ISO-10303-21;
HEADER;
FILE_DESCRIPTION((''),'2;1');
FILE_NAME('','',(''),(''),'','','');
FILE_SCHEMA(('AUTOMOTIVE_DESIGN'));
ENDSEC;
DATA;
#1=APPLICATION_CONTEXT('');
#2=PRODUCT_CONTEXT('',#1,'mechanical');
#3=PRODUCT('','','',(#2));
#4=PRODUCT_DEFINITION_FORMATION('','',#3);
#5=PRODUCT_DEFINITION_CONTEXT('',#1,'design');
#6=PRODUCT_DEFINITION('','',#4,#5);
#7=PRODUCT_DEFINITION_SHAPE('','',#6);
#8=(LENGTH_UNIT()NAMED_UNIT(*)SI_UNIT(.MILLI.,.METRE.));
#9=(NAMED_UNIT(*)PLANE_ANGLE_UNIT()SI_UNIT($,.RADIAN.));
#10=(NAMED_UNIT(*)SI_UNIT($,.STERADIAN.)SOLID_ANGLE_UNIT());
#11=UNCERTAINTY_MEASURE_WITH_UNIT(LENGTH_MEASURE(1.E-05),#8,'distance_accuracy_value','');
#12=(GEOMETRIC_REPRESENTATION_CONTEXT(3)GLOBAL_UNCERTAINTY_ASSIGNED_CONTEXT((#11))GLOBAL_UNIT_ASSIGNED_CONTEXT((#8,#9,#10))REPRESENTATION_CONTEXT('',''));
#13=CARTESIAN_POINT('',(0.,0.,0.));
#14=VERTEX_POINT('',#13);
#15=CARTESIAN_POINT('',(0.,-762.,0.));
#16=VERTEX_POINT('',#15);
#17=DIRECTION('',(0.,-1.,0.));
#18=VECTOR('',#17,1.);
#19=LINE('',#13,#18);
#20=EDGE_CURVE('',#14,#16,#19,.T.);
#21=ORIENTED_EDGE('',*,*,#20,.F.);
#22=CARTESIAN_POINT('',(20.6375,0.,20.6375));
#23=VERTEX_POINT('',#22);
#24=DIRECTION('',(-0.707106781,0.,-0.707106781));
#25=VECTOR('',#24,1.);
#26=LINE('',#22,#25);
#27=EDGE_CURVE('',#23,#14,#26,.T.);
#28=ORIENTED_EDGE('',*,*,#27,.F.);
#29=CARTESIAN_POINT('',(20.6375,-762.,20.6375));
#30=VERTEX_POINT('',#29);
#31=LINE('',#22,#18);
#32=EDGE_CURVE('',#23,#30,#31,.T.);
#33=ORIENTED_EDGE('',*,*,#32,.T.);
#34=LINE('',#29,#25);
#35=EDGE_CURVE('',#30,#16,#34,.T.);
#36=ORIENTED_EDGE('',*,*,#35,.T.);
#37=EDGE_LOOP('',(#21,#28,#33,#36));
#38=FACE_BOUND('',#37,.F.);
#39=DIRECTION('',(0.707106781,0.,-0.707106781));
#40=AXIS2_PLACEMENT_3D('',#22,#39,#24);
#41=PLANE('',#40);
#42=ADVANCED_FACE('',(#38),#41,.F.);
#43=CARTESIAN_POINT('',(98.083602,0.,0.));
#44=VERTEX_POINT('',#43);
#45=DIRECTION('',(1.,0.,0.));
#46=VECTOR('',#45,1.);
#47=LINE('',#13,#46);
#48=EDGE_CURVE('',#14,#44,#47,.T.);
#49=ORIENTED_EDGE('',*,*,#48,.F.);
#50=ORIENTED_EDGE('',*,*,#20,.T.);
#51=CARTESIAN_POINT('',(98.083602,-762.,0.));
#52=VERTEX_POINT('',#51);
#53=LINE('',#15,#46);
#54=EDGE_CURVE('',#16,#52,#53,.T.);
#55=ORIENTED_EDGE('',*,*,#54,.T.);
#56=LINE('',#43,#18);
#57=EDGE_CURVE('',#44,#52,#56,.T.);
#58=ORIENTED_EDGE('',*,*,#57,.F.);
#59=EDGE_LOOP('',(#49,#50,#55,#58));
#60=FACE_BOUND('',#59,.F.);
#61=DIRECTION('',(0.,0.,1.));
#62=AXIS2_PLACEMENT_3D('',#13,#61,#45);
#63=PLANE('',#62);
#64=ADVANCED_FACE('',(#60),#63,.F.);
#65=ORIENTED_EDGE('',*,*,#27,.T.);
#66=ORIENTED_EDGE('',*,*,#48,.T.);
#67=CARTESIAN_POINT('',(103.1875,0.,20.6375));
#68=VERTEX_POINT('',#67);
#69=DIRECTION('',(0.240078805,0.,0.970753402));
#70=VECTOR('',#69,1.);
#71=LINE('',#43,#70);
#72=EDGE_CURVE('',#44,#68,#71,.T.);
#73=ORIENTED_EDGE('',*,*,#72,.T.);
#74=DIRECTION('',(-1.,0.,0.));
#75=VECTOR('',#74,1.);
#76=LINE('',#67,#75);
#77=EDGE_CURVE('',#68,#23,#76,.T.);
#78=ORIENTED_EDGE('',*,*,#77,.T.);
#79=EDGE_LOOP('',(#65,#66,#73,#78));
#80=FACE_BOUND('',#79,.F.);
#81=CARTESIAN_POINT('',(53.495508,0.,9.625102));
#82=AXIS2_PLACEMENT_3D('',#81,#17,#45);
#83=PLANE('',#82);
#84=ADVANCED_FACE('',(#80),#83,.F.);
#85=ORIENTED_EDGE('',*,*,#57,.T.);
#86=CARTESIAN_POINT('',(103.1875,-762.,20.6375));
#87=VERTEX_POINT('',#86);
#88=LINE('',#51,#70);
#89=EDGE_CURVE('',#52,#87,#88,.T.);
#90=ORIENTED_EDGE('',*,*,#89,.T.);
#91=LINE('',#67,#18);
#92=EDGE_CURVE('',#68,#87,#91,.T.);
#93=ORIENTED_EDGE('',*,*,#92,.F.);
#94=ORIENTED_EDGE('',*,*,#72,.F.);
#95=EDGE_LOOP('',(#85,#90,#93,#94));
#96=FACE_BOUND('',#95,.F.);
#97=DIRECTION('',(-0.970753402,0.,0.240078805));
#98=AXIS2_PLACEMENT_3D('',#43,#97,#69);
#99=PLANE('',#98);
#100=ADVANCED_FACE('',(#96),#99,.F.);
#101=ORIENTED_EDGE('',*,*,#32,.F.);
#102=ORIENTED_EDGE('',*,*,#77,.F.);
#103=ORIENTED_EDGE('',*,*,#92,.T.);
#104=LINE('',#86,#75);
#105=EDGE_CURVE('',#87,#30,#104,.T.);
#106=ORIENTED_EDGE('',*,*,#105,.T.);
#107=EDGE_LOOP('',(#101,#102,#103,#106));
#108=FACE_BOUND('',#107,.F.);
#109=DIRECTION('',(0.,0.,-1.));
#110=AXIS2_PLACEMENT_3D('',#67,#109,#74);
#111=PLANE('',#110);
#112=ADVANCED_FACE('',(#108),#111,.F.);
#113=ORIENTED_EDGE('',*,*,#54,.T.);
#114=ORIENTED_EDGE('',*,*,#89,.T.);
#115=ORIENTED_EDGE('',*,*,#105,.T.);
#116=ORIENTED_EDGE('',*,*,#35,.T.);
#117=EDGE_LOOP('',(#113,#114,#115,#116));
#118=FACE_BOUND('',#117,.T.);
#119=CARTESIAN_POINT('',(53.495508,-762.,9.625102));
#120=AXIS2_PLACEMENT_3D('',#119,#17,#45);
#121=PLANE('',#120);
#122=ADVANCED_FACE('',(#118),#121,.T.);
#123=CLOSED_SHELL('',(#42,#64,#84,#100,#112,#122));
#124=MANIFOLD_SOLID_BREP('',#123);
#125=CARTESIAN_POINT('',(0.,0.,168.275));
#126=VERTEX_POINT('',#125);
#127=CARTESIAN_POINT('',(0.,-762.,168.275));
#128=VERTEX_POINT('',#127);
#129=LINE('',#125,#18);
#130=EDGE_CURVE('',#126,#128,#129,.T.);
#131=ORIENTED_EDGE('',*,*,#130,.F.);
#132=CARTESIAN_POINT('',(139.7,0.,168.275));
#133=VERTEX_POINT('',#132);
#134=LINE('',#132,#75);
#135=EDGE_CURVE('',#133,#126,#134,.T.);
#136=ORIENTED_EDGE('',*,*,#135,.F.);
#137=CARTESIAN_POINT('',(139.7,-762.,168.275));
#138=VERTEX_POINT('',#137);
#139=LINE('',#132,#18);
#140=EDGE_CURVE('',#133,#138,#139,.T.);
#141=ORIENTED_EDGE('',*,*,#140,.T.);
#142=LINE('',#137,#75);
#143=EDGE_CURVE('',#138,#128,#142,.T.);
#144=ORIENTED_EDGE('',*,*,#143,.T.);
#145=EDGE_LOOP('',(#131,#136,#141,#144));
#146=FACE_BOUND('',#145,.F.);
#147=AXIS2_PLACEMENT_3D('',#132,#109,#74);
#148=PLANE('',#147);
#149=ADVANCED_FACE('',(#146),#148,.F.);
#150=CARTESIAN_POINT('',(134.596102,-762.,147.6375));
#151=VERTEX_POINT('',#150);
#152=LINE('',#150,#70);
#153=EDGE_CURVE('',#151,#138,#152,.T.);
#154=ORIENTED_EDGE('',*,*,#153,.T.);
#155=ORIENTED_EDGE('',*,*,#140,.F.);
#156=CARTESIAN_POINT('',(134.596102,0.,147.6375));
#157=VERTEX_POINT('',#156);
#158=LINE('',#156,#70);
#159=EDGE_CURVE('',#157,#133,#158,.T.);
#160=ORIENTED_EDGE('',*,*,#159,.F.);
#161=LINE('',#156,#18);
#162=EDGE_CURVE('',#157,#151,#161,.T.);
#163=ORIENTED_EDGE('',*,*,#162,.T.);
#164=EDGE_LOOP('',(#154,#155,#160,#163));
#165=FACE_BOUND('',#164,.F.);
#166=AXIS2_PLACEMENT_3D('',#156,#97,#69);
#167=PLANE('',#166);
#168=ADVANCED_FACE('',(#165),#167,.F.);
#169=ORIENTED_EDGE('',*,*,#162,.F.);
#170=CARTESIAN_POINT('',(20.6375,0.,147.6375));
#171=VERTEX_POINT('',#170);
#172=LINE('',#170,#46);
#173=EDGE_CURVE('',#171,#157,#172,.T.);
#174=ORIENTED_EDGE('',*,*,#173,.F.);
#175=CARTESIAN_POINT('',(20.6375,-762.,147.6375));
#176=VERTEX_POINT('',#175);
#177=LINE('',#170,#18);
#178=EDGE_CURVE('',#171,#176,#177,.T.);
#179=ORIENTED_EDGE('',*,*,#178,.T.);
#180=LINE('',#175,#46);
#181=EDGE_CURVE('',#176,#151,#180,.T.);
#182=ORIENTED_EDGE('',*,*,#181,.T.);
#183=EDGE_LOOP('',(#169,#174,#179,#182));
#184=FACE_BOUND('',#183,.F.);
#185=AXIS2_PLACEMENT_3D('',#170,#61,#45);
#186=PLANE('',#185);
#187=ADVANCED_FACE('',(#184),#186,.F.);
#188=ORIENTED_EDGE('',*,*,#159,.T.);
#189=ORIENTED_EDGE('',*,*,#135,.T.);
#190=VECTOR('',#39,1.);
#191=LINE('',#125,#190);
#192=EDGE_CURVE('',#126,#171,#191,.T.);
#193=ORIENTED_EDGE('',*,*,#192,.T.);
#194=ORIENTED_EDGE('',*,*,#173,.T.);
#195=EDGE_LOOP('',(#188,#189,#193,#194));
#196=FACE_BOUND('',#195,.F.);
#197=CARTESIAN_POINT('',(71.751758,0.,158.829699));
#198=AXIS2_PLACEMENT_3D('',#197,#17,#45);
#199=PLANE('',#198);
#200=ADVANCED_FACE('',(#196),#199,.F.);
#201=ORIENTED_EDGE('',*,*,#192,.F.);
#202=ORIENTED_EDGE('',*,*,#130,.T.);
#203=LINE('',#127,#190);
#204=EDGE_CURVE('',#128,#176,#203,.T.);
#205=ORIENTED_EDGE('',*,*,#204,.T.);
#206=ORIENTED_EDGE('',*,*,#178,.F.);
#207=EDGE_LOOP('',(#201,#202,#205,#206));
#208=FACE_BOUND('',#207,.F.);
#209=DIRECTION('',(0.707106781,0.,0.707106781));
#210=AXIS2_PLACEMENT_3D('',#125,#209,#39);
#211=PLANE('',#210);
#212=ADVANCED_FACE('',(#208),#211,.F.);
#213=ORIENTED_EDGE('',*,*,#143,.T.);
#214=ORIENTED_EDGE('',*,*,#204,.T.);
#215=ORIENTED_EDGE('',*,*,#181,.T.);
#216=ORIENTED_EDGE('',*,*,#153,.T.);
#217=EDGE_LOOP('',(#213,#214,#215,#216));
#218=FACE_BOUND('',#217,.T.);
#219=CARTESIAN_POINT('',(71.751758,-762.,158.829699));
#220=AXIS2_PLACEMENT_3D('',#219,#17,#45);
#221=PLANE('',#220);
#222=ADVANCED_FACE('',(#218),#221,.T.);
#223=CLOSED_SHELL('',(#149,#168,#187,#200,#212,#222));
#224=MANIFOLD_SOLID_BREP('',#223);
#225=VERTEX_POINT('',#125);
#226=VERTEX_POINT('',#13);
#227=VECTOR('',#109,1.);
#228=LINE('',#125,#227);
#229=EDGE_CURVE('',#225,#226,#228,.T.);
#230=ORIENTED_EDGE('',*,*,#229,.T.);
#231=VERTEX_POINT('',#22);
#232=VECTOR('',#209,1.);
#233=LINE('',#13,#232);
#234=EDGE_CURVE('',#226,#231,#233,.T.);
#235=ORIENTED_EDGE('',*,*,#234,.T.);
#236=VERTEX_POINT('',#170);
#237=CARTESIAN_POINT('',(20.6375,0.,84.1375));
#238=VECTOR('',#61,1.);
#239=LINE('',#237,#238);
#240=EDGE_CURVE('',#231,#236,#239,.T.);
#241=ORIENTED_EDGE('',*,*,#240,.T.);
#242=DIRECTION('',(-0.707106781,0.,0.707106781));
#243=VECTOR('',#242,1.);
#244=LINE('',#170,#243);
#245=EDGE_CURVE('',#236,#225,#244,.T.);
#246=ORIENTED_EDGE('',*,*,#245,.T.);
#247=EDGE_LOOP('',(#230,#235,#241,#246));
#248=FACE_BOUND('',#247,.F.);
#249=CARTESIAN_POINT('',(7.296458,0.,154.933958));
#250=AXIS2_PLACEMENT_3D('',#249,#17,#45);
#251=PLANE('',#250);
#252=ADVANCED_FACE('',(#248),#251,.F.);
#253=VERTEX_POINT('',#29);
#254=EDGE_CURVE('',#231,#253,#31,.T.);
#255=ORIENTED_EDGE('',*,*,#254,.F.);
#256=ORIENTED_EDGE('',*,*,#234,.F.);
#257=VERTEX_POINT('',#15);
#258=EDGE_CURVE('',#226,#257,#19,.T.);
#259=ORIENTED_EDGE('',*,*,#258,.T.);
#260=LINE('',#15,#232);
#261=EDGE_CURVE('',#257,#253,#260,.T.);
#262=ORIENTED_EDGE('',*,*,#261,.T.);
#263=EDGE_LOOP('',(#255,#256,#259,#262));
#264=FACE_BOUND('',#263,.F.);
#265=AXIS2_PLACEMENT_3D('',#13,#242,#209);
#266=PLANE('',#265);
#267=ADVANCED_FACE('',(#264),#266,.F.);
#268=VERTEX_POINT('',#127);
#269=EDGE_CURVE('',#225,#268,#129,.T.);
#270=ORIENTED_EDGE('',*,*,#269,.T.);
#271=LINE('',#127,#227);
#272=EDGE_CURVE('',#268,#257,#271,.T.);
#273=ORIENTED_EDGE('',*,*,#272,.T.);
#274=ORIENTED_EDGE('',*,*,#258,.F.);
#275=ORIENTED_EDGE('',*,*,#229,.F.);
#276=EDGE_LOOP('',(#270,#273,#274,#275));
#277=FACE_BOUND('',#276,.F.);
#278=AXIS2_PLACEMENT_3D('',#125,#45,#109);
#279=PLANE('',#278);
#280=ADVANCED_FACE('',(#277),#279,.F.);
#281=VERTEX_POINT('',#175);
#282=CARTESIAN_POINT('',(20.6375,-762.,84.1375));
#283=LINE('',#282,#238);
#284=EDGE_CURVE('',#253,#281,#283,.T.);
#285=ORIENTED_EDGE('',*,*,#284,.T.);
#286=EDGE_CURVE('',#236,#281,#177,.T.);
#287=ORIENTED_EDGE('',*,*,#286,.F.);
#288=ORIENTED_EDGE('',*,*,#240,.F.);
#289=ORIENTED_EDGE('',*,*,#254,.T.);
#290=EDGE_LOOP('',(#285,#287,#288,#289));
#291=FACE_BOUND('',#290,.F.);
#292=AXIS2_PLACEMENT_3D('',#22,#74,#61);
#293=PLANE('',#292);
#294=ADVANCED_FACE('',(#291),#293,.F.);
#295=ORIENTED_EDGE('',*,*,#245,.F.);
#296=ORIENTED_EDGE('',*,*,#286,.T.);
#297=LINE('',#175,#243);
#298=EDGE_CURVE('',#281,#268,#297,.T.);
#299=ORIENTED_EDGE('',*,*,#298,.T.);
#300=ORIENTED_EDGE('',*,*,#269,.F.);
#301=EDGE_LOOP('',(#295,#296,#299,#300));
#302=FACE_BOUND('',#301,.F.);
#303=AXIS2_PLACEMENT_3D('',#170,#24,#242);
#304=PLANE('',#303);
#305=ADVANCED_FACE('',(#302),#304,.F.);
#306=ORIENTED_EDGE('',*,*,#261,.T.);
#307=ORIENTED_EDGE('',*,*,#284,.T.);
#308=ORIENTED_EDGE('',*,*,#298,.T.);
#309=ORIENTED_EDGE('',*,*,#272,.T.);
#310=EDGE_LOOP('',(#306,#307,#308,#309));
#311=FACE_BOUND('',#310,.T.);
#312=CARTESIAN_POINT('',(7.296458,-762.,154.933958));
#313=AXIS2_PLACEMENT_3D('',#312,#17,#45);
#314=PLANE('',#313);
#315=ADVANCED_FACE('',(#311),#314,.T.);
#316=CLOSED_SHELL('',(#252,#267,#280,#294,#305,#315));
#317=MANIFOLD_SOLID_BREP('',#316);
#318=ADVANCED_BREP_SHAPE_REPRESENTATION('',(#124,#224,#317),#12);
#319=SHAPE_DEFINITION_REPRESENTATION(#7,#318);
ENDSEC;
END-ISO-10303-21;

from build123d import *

# Parameters (mm, degrees)
F1_DEPTH = 762
F0_W     = 20.6375
F0_H     = 127
F2_DEPTH = 762


with BuildPart() as f1:
    # F0 (on Front) → F1 (new body)
    with BuildSketch(Plane.XZ):
        Polygon((0, 168.275), (20.6375, 147.6375), (134.596102, 147.6375), (139.7, 168.275), align=None)
        Polygon((20.6375, 20.6375), (0, 0), (98.083602, 0), (103.1875, 20.6375), align=None)
    extrude(amount=F1_DEPTH)


with BuildPart() as f2:
    # F0 (on Front) → F2 (new body, through all)
    with BuildSketch(Plane.XZ):
        Polygon((0, 168.275), (0, 147.6375), (20.6375, 147.6375), align=None)
        with Locations((10.31875, 84.1375)):
            Rectangle(F0_W, F0_H)
        Polygon((0, 20.6375), (0, 0), (20.6375, 20.6375), align=None)
    extrude(amount=F2_DEPTH)


solid = Compound([f1.part, f2.part])
